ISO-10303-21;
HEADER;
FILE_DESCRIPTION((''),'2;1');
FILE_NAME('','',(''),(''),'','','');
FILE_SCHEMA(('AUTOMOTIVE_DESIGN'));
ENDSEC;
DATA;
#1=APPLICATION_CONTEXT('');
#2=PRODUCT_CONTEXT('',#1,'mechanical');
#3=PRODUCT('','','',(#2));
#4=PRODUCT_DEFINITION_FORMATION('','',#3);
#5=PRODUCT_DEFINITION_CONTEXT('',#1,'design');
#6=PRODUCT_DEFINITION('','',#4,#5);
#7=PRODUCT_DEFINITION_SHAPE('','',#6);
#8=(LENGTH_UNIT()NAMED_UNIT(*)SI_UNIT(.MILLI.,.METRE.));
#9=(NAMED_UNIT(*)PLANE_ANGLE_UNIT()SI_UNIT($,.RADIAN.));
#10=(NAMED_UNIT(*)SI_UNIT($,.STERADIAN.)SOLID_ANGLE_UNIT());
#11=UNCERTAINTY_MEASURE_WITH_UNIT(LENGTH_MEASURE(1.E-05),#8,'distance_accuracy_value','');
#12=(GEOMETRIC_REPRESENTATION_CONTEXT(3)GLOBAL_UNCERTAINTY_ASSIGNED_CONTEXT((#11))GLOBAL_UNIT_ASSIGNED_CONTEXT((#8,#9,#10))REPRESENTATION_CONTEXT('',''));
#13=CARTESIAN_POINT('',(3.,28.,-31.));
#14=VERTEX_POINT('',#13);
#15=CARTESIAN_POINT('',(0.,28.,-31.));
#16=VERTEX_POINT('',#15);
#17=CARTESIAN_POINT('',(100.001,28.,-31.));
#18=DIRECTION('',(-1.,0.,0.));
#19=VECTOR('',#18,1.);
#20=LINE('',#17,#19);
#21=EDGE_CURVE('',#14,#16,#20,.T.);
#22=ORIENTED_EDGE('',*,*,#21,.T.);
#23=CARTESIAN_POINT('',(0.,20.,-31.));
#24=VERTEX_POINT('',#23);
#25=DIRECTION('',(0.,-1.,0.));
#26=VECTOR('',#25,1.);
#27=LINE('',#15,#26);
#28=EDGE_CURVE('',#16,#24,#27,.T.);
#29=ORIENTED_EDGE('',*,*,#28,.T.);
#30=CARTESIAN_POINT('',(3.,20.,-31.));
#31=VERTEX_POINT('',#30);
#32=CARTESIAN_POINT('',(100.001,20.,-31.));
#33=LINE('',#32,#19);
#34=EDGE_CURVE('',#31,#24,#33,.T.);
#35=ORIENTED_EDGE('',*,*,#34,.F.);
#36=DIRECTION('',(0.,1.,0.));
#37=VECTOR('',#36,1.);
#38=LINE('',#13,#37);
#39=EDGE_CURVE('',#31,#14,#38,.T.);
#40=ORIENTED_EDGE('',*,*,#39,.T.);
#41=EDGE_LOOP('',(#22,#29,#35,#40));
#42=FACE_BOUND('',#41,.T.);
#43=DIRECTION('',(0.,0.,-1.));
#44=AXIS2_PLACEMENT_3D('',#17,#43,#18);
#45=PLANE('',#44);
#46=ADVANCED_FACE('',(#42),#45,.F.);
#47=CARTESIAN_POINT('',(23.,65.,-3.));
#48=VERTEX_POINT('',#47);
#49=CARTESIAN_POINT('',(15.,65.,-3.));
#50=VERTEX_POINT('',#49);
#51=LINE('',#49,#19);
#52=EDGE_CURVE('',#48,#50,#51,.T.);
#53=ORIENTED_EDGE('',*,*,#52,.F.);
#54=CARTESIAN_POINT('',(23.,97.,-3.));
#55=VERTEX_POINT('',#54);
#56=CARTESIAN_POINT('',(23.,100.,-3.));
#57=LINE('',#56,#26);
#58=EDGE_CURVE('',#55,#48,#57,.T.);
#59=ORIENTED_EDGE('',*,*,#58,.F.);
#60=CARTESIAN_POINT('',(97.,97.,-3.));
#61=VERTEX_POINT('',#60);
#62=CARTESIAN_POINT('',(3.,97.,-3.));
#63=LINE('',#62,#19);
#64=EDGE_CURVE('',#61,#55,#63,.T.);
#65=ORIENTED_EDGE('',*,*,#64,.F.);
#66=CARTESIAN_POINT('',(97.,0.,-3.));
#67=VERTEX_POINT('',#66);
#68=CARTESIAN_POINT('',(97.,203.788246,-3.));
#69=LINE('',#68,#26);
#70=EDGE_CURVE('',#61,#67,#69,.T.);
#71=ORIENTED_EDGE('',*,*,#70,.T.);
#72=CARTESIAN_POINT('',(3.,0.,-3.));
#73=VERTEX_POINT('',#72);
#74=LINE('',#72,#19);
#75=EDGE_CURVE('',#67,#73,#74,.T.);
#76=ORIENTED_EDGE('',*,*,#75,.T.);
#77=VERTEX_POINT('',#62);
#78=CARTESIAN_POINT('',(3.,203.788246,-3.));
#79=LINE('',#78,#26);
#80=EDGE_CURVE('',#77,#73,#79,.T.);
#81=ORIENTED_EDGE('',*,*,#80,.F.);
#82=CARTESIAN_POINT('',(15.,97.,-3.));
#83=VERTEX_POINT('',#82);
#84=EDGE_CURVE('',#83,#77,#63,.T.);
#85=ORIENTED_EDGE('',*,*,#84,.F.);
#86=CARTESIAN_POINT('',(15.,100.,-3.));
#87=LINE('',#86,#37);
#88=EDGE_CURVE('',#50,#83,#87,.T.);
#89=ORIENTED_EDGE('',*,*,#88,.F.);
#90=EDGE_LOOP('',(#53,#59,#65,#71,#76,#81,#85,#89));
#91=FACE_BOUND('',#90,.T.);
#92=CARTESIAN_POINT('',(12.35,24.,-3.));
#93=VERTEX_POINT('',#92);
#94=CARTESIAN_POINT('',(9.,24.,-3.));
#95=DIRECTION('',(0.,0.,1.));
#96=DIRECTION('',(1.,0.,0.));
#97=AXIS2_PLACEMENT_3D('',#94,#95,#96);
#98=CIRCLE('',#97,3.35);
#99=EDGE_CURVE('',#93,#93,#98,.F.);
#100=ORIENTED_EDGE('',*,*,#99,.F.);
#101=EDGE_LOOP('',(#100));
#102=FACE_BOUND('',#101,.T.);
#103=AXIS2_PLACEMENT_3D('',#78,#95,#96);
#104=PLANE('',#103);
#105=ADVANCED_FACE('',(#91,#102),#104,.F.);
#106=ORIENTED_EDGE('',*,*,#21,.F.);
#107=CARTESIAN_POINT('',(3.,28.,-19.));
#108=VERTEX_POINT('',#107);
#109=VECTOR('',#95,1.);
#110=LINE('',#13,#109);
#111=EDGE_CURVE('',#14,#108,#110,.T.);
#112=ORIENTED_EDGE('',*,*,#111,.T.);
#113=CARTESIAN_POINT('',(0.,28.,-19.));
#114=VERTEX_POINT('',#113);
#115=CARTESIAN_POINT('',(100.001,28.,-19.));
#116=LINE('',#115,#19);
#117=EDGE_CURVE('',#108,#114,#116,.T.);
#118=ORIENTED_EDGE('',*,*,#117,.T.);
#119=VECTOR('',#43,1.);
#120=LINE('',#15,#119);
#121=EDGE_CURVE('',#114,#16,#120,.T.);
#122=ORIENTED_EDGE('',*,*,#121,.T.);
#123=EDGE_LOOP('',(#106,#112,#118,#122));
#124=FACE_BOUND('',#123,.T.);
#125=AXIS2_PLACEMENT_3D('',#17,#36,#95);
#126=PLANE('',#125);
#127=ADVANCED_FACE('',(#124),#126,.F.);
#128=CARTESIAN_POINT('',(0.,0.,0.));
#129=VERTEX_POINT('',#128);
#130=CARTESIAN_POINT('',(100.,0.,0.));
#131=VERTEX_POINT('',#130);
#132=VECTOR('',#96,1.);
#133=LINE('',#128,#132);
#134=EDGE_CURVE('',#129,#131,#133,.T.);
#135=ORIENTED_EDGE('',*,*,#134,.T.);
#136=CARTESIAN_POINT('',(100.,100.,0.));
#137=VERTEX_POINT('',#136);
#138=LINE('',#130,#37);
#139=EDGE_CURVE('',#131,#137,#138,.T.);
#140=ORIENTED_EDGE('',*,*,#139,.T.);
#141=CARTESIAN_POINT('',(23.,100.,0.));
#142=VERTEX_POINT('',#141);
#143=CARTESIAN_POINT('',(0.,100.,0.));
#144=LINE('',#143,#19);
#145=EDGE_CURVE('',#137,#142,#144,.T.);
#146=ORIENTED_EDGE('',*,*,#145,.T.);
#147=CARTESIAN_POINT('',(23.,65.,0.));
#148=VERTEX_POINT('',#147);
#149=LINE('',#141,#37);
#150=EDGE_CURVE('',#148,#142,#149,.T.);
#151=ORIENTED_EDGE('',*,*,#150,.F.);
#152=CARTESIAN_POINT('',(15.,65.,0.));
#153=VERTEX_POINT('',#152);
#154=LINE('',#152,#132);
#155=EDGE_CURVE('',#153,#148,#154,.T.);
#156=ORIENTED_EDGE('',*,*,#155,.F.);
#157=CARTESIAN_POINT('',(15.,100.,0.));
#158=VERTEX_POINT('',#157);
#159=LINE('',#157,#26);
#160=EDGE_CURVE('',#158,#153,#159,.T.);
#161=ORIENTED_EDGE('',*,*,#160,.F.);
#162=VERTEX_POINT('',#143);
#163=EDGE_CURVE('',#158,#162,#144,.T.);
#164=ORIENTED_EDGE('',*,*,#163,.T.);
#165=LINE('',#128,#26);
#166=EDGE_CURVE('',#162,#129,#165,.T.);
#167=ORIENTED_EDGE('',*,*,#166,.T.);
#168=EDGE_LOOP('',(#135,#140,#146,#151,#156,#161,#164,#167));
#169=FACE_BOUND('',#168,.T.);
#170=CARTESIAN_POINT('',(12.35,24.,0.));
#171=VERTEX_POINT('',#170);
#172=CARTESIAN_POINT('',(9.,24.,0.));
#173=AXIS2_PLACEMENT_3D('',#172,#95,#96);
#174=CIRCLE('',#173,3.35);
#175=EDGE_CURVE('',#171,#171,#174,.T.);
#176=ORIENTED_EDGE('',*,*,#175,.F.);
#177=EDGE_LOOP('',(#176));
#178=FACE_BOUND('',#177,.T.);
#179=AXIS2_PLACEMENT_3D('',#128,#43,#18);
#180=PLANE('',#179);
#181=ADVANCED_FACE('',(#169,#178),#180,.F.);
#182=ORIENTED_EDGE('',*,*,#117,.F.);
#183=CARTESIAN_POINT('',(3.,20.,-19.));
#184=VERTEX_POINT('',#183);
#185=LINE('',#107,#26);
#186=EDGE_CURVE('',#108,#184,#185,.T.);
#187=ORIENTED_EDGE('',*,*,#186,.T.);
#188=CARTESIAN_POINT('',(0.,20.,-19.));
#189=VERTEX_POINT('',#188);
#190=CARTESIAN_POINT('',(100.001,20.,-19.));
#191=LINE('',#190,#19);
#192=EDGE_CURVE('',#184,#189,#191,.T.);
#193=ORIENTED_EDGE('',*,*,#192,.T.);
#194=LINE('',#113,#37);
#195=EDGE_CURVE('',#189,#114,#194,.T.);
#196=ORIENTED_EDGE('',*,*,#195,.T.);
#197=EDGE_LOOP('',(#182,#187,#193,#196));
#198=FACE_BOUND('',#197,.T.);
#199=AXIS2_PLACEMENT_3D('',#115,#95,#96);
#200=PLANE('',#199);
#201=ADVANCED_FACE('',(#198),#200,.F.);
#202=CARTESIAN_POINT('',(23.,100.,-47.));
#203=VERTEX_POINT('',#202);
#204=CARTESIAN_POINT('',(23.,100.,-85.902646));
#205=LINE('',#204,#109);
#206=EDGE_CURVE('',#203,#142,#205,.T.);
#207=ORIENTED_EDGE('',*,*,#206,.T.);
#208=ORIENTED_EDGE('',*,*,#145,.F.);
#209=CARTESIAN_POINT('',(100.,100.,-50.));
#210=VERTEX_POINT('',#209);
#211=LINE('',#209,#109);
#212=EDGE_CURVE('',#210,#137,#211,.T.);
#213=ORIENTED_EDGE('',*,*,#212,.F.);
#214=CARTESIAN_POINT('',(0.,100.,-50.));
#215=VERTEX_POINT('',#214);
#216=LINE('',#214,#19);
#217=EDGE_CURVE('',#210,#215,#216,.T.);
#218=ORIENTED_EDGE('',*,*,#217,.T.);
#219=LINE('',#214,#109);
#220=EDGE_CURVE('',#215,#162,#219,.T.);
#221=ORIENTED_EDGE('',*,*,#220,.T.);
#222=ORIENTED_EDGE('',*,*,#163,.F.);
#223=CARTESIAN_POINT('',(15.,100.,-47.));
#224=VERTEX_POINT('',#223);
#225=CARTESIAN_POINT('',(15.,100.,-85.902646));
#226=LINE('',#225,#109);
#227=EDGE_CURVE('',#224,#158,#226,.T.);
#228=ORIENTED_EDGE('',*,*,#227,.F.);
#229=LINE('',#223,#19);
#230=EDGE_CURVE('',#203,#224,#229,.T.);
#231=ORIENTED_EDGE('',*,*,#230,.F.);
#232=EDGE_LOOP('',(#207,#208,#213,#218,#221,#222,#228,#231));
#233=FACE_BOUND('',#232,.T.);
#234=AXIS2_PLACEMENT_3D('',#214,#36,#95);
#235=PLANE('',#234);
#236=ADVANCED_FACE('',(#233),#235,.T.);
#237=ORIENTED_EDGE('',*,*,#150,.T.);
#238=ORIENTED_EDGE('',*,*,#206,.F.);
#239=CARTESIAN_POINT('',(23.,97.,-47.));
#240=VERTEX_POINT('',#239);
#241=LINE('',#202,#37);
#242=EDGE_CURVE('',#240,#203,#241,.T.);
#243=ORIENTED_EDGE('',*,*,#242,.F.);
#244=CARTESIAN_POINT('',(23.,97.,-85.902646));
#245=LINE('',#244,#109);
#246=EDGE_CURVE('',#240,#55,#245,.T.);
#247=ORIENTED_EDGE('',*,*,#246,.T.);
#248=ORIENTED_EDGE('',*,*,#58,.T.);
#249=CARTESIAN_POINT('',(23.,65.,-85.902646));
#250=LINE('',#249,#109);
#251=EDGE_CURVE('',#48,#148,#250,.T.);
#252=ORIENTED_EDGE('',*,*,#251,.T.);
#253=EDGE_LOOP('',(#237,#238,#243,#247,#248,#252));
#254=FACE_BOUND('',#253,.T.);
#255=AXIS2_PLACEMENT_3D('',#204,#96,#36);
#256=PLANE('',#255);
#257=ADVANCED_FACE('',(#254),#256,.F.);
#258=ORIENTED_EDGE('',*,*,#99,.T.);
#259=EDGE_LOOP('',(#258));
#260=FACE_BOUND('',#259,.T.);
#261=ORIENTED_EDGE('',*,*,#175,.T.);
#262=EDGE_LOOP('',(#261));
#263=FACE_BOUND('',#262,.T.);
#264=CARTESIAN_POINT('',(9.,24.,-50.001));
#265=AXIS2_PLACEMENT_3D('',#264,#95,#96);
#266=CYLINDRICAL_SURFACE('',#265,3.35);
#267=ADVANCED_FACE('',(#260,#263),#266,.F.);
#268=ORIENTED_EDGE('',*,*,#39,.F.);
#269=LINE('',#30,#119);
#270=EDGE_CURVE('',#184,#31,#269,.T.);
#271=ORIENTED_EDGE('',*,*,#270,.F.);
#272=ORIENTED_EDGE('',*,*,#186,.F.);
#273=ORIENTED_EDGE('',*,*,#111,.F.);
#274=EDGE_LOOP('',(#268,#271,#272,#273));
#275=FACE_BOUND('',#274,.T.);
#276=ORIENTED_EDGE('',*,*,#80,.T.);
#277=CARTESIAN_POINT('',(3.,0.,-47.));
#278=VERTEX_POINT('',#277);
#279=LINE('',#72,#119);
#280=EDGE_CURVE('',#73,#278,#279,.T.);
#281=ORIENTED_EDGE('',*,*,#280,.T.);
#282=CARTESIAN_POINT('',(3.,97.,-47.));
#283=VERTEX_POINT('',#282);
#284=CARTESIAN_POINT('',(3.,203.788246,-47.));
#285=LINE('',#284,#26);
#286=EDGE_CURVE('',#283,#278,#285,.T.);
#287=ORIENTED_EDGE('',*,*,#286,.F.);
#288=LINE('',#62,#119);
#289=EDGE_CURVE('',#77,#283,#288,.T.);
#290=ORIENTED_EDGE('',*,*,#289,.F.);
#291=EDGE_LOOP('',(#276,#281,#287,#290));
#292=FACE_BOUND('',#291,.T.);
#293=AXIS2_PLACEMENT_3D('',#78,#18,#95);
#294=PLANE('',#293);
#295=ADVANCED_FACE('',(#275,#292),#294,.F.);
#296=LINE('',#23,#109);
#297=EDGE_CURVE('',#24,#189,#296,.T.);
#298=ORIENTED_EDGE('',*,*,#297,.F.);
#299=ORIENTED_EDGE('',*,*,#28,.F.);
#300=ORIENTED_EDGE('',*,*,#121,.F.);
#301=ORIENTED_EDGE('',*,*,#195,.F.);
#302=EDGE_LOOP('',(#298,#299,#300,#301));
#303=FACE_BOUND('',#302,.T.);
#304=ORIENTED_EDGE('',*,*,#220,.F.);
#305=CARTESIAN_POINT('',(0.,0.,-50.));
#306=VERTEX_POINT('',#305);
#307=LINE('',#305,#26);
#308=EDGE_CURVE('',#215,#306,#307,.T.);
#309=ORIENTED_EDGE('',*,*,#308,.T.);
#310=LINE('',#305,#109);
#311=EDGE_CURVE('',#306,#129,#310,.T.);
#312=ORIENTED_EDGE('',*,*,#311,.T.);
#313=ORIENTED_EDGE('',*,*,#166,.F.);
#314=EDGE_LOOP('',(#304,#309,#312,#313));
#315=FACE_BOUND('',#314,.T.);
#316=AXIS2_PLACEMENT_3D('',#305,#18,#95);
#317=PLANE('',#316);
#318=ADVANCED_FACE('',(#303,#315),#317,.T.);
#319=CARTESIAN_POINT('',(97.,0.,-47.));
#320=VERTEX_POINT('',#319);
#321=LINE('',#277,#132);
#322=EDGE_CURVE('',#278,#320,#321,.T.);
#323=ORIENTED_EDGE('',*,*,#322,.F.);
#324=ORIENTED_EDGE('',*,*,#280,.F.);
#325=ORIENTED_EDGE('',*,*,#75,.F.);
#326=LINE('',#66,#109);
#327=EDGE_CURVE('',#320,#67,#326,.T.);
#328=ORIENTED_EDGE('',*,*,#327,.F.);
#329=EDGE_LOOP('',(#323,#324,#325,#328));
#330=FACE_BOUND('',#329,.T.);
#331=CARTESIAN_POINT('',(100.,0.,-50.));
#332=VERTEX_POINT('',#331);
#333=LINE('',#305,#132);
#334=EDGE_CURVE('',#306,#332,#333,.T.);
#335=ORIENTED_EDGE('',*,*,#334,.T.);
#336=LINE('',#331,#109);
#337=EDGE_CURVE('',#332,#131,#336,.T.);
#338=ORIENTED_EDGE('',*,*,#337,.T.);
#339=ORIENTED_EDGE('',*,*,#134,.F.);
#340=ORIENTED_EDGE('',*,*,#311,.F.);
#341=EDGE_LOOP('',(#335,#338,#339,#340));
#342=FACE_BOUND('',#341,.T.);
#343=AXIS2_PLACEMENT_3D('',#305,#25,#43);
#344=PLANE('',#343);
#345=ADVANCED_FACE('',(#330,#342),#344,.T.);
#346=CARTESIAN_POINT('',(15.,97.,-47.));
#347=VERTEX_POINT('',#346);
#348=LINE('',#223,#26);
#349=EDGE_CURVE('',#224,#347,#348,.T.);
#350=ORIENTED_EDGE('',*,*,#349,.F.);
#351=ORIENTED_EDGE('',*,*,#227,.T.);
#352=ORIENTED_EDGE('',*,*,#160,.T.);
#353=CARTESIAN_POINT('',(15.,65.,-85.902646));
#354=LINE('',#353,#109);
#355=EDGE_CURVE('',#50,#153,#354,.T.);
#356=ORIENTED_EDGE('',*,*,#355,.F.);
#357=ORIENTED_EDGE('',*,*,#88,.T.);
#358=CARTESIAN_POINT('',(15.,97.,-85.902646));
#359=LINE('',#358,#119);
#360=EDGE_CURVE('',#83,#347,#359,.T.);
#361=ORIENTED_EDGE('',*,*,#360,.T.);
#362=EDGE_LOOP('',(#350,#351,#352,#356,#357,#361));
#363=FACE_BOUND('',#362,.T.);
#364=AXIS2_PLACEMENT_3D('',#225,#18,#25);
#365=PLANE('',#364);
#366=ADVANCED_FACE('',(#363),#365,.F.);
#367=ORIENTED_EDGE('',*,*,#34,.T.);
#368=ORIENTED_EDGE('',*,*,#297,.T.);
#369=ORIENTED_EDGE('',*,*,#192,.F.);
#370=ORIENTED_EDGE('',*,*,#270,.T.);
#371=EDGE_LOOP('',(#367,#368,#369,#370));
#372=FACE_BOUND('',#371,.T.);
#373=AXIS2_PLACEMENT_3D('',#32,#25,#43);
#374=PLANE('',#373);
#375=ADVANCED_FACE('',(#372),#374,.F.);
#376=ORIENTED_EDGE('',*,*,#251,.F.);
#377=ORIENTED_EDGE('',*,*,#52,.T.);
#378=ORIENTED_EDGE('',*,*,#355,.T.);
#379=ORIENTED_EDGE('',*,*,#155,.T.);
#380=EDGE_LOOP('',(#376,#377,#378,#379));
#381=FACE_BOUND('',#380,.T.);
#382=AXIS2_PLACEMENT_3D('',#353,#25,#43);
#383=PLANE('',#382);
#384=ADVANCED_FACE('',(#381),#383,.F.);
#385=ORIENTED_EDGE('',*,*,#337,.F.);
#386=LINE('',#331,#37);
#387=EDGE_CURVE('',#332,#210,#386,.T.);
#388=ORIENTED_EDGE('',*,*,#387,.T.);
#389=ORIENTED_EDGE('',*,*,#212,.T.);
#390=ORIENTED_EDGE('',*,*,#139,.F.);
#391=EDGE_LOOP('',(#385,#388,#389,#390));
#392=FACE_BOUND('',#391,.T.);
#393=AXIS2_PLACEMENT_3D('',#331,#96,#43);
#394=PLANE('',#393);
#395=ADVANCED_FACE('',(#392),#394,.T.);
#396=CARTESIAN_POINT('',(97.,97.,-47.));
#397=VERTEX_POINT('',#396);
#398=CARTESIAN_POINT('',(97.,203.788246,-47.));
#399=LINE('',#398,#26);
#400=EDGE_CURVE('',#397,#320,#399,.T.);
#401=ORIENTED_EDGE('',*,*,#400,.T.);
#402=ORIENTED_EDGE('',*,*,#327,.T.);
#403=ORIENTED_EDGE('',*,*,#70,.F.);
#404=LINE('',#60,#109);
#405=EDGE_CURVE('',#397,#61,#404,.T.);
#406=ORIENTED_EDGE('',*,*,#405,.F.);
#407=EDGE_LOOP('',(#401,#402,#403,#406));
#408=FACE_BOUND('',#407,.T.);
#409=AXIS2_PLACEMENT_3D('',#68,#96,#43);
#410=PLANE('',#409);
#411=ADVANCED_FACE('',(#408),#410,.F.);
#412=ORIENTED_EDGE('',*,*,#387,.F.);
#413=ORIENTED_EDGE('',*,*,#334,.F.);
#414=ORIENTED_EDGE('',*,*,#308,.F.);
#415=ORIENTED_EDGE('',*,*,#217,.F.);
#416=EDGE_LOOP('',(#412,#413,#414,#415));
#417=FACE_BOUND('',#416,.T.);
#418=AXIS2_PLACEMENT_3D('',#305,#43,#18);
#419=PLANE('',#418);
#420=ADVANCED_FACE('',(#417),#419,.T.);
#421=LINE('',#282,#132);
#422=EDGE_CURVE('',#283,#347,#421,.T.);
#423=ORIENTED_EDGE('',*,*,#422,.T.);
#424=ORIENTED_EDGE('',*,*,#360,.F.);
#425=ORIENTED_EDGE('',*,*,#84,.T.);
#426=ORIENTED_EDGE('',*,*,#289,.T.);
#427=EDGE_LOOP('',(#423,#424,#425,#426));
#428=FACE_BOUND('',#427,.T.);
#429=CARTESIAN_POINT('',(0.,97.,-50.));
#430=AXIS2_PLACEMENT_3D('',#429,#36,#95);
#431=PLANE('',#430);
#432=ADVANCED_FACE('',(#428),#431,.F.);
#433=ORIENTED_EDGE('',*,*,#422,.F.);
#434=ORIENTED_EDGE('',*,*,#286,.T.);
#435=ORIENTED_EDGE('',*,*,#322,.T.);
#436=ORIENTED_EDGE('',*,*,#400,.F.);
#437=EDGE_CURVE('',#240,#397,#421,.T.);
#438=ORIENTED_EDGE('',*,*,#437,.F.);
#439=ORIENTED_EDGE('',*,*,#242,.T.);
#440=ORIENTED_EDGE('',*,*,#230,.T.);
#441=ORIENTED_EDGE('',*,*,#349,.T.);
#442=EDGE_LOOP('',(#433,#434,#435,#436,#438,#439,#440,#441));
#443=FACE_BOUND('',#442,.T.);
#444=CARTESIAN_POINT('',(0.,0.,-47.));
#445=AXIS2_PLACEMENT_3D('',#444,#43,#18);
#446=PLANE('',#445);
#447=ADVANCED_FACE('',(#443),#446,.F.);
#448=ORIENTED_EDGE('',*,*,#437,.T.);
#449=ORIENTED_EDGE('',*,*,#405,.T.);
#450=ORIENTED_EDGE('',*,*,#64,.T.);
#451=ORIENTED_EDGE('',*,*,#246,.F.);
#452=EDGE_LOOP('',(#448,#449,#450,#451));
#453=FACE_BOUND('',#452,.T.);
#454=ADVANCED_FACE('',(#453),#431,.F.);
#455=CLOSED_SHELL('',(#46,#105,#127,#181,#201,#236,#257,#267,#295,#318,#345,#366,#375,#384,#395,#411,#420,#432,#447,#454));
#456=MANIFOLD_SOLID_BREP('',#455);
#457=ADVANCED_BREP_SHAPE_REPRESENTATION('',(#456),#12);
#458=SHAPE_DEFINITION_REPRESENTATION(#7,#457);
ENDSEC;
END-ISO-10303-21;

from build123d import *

# Parameters (mm, degrees)
SKETCH1_W           = 100
SKETCH1_H           = 100
BOSS_EXTRUDE2_DEPTH = 50
SKETCH3_W           = 8
SKETCH3_H           = 35
CUT_EXTRUDE2_DEPTH  = 47
SKETCH4_W           = 94
SKETCH4_H           = 44
CUT_EXTRUDE3_DEPTH  = 97
CUT_EXTRUDE4_REACH  = 152
SKETCH5_W           = 12
SKETCH5_H           = 8
CUT_EXTRUDE5_REACH  = 152
SKETCH6_R           = 3.35


with BuildPart() as part:
    # Sketch1 → Boss-Extrude2 (new body)
    with BuildSketch(Plane.XY):
        with Locations((50, 50)):
            Rectangle(SKETCH1_W, SKETCH1_H)
    extrude(amount=-BOSS_EXTRUDE2_DEPTH)

    # Sketch3 → Cut-Extrude2 (cut)
    with BuildSketch(Plane.XY):
        with Locations((19, 82.5)):
            Rectangle(SKETCH3_W, SKETCH3_H)
    extrude(amount=-CUT_EXTRUDE2_DEPTH, mode=Mode.SUBTRACT)

    # Sketch4 → Cut-Extrude3 (cut)
    with BuildSketch(Plane.XZ):
        with Locations((50, -25)):
            Rectangle(SKETCH4_W, SKETCH4_H)
    extrude(amount=-CUT_EXTRUDE3_DEPTH, mode=Mode.SUBTRACT)

    # Sketch5 → Cut-Extrude4 (cut, up to next)
    with BuildSketch(Plane.ZY, mode=Mode.PRIVATE) as cut_extrude4_sk1:
        with Locations((-25, 24)):
            Rectangle(SKETCH5_W, SKETCH5_H)
    cut_extrude4_tool1 = extrude(cut_extrude4_sk1.sketch, amount=-CUT_EXTRUDE4_REACH, mode=Mode.PRIVATE) & part.part
    add(cut_extrude4_tool1.solids().sort_by_distance((0, 24, -25))[0], mode=Mode.SUBTRACT)

    # Sketch6 → Cut-Extrude5 (cut, up to next)
    with BuildSketch(Plane.XY, mode=Mode.PRIVATE) as cut_extrude5_sk1:
        with Locations((9, 24)):
            Circle(SKETCH6_R)
    cut_extrude5_tool1 = extrude(cut_extrude5_sk1.sketch, amount=-CUT_EXTRUDE5_REACH, mode=Mode.PRIVATE) & part.part
    add(cut_extrude5_tool1.solids().sort_by_distance((9, 24, 0))[0], mode=Mode.SUBTRACT)


solid = part.part
